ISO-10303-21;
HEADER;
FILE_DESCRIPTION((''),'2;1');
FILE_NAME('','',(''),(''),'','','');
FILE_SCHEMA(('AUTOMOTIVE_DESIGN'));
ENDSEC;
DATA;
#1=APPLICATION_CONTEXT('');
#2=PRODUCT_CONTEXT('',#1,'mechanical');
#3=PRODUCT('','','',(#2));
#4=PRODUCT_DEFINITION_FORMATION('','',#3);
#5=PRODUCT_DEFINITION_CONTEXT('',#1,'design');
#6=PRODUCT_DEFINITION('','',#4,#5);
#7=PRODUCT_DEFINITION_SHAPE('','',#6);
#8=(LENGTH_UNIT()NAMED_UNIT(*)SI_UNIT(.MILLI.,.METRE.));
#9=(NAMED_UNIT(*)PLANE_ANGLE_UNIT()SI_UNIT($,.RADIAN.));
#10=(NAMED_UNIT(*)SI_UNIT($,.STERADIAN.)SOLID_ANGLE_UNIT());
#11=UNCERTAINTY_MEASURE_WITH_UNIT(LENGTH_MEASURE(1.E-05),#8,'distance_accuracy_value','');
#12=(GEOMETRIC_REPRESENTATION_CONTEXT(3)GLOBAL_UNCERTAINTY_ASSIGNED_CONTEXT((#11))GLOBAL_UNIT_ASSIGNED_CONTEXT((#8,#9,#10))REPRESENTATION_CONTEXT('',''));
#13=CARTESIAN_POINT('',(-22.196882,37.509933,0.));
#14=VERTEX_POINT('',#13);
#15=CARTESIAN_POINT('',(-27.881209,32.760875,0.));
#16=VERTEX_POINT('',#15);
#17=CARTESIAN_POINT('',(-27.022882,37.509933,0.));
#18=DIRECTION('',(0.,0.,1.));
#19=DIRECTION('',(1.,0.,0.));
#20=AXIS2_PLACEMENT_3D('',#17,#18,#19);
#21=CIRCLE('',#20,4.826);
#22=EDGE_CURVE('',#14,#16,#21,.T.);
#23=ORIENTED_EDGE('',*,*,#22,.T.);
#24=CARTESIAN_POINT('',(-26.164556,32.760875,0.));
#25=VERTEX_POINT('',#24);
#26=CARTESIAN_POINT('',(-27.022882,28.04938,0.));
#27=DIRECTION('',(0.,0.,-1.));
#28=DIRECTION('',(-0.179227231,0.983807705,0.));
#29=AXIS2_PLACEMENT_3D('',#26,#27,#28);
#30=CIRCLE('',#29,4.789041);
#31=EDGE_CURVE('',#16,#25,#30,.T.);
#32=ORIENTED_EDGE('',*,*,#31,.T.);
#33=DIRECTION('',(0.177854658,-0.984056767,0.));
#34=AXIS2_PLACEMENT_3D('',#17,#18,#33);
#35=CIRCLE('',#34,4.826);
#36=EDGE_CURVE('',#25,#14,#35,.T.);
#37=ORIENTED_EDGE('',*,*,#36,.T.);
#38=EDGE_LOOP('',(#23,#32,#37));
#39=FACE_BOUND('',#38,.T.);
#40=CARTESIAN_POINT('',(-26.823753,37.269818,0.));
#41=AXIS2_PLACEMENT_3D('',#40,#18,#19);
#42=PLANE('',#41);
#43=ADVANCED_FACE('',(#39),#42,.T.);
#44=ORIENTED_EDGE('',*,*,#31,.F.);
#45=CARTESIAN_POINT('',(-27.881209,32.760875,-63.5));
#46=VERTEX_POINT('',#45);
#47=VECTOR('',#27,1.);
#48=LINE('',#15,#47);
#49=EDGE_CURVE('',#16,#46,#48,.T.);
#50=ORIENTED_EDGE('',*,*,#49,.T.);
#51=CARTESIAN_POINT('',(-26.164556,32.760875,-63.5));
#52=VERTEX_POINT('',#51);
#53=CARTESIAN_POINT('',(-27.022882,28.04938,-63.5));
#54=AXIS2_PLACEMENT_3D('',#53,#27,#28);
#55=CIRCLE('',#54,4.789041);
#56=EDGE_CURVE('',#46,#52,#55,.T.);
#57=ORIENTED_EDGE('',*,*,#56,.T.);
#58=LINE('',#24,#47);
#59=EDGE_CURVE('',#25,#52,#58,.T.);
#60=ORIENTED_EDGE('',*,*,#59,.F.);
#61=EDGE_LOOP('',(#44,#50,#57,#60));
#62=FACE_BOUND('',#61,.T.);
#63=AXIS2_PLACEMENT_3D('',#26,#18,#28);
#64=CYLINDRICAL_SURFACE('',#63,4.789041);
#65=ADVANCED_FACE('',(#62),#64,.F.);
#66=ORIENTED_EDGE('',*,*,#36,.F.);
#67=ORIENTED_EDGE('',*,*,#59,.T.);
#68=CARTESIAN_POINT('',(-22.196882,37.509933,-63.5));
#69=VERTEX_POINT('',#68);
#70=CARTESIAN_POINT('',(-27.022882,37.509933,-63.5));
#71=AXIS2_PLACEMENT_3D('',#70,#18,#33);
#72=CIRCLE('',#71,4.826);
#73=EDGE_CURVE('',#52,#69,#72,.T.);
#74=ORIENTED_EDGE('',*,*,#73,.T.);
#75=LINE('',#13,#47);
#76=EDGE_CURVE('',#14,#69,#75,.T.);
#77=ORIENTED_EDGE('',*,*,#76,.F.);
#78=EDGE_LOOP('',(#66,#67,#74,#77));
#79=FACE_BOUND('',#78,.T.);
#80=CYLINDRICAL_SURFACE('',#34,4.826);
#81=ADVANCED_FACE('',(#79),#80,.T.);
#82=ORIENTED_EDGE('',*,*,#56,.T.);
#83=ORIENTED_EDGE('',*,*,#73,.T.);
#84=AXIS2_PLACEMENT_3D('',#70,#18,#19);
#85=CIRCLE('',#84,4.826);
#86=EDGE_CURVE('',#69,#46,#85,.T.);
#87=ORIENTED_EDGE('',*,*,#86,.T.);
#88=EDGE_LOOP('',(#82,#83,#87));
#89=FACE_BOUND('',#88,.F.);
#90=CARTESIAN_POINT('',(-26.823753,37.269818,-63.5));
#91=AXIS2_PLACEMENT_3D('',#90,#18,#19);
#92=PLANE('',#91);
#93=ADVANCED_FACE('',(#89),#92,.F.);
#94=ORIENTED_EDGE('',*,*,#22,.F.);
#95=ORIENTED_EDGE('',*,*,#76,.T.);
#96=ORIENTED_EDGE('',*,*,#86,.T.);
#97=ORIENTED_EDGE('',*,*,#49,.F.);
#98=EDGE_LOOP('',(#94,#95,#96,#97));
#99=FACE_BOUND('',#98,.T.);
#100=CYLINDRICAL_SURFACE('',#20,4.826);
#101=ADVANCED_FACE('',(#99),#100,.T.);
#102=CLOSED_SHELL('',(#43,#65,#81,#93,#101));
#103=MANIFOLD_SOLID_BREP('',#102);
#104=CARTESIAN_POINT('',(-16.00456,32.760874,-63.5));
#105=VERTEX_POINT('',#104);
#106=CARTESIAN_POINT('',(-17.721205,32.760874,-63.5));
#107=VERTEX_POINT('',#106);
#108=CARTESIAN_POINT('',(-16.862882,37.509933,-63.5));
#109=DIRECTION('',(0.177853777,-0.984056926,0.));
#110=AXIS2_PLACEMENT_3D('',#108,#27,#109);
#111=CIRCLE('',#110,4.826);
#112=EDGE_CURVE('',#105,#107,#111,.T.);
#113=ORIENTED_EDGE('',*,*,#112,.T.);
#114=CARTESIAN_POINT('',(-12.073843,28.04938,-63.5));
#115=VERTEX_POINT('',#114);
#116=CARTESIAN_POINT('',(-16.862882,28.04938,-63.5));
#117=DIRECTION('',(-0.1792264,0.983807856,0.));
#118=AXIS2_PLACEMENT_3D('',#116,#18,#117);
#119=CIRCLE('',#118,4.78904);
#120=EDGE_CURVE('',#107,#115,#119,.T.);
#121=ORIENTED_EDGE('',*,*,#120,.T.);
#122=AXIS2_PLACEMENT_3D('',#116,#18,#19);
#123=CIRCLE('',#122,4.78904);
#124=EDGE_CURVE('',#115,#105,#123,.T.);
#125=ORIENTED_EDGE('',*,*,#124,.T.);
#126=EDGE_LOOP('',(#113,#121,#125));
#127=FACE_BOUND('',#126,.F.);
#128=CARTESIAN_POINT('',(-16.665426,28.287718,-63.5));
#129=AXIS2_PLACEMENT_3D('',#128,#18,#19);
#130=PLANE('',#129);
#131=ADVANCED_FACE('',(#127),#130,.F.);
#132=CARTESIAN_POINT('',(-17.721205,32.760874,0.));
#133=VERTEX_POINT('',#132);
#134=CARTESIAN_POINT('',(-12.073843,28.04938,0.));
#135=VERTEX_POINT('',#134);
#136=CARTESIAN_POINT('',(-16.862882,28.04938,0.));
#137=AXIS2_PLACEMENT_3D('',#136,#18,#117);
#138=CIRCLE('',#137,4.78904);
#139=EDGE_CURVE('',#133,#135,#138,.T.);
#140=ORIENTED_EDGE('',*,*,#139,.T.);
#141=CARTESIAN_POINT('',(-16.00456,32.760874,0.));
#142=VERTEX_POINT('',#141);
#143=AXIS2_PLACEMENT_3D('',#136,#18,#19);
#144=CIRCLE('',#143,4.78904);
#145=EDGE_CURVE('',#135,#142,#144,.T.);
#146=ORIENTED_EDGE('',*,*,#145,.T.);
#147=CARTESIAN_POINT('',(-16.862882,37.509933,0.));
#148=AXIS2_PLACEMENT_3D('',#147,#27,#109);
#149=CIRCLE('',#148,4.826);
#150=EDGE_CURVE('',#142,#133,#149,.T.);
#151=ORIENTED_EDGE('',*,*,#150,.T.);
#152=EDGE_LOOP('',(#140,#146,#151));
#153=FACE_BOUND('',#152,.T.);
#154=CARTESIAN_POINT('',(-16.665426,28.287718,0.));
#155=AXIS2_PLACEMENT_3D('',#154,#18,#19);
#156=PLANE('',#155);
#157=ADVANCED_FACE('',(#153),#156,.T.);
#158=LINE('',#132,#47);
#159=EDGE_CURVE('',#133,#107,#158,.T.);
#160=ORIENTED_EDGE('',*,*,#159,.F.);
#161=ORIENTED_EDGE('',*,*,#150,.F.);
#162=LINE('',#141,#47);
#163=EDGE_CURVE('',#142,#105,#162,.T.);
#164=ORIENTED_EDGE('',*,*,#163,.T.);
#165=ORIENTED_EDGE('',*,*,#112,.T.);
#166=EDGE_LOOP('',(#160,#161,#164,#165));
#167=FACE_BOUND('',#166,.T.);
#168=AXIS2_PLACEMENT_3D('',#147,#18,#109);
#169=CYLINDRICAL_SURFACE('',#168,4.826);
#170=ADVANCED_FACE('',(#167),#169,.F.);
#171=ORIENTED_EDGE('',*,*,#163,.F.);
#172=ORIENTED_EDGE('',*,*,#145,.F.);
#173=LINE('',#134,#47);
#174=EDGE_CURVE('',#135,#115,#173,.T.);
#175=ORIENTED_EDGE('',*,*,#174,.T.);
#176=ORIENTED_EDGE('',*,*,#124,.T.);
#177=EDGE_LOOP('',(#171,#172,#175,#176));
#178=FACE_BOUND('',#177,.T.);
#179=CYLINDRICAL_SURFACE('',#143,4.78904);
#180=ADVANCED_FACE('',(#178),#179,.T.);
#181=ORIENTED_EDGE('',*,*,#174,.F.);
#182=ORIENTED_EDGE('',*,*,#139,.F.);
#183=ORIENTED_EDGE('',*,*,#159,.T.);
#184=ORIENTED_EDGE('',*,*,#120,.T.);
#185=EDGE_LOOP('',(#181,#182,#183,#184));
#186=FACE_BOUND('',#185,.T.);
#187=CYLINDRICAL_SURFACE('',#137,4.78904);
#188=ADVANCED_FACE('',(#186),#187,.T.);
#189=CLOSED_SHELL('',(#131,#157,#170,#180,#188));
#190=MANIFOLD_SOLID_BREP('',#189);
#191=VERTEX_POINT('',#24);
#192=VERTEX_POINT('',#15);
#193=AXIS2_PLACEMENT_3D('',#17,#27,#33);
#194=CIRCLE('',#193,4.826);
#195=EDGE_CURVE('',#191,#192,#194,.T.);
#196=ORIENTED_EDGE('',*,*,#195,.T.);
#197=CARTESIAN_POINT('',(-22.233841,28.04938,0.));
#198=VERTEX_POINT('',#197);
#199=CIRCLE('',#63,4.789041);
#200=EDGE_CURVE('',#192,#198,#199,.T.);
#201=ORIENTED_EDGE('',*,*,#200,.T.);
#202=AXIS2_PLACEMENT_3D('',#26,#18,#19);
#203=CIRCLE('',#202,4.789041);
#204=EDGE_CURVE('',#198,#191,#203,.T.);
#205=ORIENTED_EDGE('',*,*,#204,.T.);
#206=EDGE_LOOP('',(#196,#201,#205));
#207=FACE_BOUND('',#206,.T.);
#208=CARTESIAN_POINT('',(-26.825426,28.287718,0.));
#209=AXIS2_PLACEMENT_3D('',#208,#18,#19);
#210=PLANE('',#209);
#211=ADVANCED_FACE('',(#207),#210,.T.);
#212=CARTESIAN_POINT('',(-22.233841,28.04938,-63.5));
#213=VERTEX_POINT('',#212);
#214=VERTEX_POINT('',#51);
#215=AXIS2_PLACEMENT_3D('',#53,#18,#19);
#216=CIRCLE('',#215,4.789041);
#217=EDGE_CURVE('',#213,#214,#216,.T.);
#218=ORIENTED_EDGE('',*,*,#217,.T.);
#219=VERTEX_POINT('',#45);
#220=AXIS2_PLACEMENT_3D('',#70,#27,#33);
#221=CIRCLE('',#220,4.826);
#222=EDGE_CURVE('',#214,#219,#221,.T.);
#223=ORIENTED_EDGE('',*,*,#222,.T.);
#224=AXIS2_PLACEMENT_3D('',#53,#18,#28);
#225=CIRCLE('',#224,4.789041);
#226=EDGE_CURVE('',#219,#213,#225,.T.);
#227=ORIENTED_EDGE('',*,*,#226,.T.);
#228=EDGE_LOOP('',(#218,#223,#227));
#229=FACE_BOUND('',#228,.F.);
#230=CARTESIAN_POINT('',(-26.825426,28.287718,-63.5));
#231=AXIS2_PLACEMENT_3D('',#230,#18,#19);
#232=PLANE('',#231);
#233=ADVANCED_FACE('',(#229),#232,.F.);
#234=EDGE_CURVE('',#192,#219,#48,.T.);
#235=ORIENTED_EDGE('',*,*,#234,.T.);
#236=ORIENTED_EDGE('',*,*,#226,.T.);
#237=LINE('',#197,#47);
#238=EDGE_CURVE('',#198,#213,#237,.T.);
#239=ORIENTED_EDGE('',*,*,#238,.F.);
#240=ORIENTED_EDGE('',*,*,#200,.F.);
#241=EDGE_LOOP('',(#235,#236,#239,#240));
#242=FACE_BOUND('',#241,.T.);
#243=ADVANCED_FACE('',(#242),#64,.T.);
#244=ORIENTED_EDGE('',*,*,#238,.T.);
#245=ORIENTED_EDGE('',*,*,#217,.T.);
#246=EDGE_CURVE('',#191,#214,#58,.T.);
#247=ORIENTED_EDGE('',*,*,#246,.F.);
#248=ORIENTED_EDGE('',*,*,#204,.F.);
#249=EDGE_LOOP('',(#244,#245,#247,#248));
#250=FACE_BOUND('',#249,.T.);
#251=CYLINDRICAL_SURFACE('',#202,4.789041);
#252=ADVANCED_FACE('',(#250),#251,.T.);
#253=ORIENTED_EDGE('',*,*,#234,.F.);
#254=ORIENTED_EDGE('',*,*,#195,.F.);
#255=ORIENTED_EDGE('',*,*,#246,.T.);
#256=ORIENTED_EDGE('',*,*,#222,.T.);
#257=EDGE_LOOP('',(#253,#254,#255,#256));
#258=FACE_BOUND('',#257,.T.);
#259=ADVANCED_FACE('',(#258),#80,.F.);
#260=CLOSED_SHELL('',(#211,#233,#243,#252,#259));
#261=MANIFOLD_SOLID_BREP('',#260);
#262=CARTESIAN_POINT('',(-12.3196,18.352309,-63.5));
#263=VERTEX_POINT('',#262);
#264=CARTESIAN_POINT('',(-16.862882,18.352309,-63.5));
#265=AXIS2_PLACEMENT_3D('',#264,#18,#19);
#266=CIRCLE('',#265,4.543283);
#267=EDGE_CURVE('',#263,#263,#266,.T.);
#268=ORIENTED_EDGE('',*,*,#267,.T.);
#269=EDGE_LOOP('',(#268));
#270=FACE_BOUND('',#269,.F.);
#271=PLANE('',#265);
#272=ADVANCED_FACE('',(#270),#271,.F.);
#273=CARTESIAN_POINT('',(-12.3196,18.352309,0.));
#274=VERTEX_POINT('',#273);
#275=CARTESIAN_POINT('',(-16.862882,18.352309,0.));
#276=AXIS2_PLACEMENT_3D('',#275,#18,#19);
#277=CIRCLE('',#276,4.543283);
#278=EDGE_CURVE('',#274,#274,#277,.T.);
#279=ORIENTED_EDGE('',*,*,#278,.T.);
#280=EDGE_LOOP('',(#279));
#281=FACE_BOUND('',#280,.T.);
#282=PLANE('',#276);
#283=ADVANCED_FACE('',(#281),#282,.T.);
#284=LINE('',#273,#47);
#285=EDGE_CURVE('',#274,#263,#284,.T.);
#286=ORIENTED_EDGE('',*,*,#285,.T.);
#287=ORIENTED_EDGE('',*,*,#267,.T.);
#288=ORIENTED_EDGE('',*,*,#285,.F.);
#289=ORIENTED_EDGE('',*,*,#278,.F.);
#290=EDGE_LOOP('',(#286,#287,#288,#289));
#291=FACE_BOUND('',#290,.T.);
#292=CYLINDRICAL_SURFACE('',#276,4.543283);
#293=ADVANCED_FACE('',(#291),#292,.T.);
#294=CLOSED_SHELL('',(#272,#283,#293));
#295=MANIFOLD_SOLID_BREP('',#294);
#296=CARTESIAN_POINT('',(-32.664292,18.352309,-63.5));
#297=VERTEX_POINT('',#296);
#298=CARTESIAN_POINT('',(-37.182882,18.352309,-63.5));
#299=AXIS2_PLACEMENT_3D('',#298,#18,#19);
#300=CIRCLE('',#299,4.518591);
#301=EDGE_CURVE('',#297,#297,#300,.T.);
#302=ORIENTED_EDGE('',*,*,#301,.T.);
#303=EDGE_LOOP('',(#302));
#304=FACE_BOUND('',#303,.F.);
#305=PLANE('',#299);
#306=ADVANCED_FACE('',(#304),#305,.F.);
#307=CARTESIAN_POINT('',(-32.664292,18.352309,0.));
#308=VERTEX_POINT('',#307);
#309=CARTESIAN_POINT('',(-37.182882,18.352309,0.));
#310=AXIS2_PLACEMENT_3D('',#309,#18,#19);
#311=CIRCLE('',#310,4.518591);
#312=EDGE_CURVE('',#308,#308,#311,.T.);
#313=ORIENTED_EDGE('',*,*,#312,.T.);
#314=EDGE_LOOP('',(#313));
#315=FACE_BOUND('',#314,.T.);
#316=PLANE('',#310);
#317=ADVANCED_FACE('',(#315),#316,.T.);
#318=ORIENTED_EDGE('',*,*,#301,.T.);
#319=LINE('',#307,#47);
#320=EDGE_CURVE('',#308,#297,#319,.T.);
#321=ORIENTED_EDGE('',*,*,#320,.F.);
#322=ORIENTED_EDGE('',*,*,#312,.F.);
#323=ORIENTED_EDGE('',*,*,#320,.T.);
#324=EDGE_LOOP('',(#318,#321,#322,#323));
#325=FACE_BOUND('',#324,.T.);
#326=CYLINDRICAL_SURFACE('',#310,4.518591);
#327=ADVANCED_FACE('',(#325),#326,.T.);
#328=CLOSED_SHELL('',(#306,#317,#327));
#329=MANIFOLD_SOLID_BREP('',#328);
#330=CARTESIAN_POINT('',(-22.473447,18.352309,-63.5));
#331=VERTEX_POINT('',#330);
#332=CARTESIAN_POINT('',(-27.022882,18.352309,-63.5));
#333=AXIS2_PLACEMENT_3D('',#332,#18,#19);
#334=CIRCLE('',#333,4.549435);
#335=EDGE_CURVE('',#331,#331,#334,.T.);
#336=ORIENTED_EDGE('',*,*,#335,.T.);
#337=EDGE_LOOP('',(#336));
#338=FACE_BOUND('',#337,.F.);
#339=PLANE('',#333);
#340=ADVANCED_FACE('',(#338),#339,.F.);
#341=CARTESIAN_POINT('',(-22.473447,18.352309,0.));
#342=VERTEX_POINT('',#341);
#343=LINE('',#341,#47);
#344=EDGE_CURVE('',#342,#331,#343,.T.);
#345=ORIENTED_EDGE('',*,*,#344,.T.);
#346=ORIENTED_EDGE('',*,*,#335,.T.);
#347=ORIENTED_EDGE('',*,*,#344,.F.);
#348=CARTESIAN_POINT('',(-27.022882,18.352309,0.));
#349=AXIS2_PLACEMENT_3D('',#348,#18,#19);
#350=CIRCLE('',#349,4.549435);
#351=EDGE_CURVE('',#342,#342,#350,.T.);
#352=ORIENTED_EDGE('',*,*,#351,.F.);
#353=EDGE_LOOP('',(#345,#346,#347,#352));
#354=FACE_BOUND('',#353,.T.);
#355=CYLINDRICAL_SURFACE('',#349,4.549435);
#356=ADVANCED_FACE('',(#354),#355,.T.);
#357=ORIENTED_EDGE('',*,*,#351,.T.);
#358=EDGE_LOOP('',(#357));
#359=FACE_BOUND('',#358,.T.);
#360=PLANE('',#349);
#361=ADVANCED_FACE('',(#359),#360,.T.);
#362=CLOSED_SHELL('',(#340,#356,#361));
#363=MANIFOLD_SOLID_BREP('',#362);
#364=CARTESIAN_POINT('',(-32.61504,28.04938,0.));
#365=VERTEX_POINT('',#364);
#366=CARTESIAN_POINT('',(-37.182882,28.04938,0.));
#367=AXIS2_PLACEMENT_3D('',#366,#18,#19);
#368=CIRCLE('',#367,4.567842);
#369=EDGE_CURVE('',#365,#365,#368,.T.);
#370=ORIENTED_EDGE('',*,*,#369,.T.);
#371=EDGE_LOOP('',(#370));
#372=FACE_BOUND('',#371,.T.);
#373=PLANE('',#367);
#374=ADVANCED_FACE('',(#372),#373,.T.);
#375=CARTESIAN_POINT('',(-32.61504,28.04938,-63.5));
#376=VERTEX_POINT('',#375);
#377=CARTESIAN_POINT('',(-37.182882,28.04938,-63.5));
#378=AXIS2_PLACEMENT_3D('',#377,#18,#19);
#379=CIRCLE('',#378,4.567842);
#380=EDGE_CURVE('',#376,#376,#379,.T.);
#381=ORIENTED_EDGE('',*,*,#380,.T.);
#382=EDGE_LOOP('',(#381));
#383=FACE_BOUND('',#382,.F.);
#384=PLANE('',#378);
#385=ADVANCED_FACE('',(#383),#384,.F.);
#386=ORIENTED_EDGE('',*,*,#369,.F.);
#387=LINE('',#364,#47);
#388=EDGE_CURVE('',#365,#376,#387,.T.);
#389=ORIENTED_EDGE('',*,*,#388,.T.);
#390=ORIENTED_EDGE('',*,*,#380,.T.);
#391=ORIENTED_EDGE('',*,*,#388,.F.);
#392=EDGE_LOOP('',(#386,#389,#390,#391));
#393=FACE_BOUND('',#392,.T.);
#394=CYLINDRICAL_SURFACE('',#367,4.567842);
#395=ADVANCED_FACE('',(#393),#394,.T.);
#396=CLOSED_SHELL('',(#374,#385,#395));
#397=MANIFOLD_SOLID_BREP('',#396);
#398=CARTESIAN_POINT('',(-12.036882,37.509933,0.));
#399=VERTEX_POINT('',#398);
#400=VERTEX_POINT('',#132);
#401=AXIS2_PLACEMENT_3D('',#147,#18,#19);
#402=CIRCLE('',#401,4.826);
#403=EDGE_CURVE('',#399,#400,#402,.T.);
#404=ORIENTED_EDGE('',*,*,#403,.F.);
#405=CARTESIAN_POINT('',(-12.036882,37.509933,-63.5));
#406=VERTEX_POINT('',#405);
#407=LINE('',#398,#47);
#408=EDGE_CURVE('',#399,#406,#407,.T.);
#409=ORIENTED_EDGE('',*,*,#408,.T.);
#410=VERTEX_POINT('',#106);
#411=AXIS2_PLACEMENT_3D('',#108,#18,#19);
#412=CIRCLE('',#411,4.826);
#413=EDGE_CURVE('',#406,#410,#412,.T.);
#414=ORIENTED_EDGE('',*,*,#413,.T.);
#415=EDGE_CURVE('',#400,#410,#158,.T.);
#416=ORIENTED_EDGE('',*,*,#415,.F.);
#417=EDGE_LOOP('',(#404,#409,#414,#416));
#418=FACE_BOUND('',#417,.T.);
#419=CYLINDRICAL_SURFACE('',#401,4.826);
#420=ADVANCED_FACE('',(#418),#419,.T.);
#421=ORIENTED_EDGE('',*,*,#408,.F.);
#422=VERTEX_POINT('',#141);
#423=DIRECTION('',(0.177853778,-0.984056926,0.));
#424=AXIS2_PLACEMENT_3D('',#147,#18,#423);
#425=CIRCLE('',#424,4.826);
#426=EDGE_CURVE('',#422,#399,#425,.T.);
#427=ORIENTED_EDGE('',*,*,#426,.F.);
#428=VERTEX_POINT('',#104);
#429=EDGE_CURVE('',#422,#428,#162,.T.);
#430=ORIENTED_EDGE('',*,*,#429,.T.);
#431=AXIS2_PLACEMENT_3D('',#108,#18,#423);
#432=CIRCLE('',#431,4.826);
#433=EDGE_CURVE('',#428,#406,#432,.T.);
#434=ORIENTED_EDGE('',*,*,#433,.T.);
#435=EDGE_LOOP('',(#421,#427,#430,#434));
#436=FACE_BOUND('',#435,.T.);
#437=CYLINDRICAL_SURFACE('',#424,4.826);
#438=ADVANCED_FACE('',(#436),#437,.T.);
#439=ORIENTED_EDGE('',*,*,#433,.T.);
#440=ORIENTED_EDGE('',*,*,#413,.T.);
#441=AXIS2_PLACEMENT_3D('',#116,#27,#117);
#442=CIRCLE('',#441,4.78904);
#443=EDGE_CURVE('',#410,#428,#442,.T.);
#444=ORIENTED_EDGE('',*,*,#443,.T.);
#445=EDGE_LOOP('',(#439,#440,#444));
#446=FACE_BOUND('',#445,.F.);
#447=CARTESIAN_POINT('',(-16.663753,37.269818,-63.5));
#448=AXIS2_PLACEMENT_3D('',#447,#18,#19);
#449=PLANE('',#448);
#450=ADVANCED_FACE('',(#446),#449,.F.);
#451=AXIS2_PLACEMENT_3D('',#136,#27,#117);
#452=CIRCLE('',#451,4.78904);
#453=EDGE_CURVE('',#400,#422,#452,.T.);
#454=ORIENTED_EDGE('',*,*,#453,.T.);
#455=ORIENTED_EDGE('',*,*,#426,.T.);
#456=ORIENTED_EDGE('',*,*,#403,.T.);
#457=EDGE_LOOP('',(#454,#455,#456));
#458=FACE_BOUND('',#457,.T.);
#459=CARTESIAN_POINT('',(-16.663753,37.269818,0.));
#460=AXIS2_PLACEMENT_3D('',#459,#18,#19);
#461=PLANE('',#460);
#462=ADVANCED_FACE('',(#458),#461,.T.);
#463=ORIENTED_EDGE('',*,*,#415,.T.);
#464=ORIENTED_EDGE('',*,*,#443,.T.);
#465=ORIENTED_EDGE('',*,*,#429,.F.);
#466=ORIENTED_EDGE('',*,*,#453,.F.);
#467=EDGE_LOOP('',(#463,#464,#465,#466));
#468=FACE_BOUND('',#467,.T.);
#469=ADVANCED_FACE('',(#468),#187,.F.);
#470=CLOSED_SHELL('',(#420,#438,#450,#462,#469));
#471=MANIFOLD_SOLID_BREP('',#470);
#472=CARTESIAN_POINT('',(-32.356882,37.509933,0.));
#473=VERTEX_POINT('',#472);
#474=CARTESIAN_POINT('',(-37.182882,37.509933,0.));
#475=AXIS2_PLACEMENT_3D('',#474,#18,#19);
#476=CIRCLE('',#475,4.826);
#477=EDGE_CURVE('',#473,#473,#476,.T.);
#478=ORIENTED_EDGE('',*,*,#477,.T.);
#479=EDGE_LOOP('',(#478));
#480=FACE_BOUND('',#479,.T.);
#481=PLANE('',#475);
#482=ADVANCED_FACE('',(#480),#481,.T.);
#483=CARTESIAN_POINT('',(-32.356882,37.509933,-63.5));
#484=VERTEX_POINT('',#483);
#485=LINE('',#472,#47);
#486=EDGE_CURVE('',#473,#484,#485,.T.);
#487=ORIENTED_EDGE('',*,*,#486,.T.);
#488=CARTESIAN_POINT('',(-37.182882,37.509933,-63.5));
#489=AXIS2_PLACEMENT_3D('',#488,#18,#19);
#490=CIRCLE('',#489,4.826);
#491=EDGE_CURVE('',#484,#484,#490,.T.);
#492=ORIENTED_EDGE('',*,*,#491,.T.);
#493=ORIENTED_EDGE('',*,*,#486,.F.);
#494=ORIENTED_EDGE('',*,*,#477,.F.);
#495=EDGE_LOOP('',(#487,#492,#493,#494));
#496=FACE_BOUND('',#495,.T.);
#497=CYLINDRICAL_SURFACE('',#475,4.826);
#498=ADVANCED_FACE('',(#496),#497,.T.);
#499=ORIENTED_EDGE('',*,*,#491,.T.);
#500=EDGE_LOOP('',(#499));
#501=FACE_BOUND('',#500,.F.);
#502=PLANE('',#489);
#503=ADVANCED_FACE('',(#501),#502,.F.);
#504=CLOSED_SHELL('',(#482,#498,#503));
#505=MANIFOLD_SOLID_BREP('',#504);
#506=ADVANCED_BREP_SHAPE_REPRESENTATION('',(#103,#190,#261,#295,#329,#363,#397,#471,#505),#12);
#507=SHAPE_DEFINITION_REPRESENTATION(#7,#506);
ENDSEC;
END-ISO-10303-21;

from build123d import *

# Parameters (mm, degrees)
F0_R     = 4.5185908262
F1_DEPTH = 63.5
F0_R_2   = 4.549435191
F0_R_3   = 4.5432827018
F0_R_4   = 4.5678424554
F0_R_5   = 4.826


with BuildPart() as f1:
    # F0 (on Top) → F1 (new body)
    with BuildSketch(Plane.XY):
        with Locations((-37.1828824282, 18.3523092419)):
            Circle(F0_R)
    extrude(amount=-F1_DEPTH)


with BuildPart() as f1b:
    # F0 (on Top) → F1, piece 2 (new body)
    with BuildSketch(Plane.XY):
        with Locations((-27.0228824282, 18.3523092419)):
            Circle(F0_R_2)
    extrude(amount=-F1_DEPTH)


with BuildPart() as f1c:
    # F0 (on Top) → F1, piece 3 (new body)
    with BuildSketch(Plane.XY):
        with Locations((-16.8628824282, 18.3523092419)):
            Circle(F0_R_3)
    extrude(amount=-F1_DEPTH)


with BuildPart() as f1d:
    # F0 (on Top) → F1, piece 4 (new body)
    with BuildSketch(Plane.XY):
        with BuildLine():
            ThreePointArc((-16.0045600975, 32.7608743887), (-16.8628824282, 32.6839331141), (-17.7212047588, 32.7608743887))
            ThreePointArc((-17.7212047588, 32.7608743887), (-19.9308101359, 24.3720544631), (-12.0738428075, 28.0493795872))
            ThreePointArc((-12.0738428075, 28.0493795872), (-13.1855573041, 31.1173072949), (-16.0045600975, 32.7608743887))
        make_face()
    extrude(amount=-F1_DEPTH)


with BuildPart() as f1e:
    # F0 (on Top) → F1, piece 5 (new body)
    with BuildSketch(Plane.XY):
        with BuildLine():
            ThreePointArc((-26.1645558464, 32.7608751571), (-27.0228824282, 32.6839331141), (-27.88120901, 32.7608751571))
            ThreePointArc((-27.88120901, 32.7608751571), (-30.0908095554, 24.3720520021), (-22.2338412897, 28.0493795872))
            ThreePointArc((-22.2338412897, 28.0493795872), (-23.345554843, 31.1173067144), (-26.1645558464, 32.7608751571))
        make_face()
    extrude(amount=-F1_DEPTH)


with BuildPart() as f1f:
    # F0 (on Top) → F1, piece 6 (new body)
    with BuildSketch(Plane.XY):
        with Locations((-37.1828824282, 28.0493795872)):
            Circle(F0_R_4)
    extrude(amount=-F1_DEPTH)


with BuildPart() as f1g:
    # F0 (on Top) → F1, piece 7 (new body)
    with BuildSketch(Plane.XY):
        with Locations((-37.1828824282, 37.5099331141)):
            Circle(F0_R_5)
    extrude(amount=-F1_DEPTH)


with BuildPart() as f1h:
    # F0 (on Top) → F1, piece 8 (new body)
    with BuildSketch(Plane.XY):
        with BuildLine():
            ThreePointArc((-26.1645558464, 32.7608751571), (-23.3193327739, 34.4157456669), (-22.1968824282, 37.5099331141))
            ThreePointArc((-22.1968824282, 37.5099331141), (-30.1170698753, 41.2134827684), (-27.88120901, 32.7608751571))
            ThreePointArc((-27.88120901, 32.7608751571), (-27.0228824282, 32.8384207257), (-26.1645558464, 32.7608751571))
        make_face()
    extrude(amount=-F1_DEPTH)


with BuildPart() as f1i:
    # F0 (on Top) → F1, piece 9 (new body)
    with BuildSketch(Plane.XY):
        with BuildLine():
            ThreePointArc((-16.0045600975, 32.7608743887), (-13.1593341588, 34.4157440093), (-12.0368824282, 37.5099331141))
            ThreePointArc((-12.0368824282, 37.5099331141), (-19.957071533, 41.2134813835), (-17.7212047588, 32.7608743887))
            ThreePointArc((-17.7212047588, 32.7608743887), (-16.8628824282, 32.8384192078), (-16.0045600975, 32.7608743887))
        make_face()
    extrude(amount=-F1_DEPTH)


solid = Compound([f1.part, f1b.part, f1c.part, f1d.part, f1e.part, f1f.part, f1g.part, f1h.part, f1i.part])
